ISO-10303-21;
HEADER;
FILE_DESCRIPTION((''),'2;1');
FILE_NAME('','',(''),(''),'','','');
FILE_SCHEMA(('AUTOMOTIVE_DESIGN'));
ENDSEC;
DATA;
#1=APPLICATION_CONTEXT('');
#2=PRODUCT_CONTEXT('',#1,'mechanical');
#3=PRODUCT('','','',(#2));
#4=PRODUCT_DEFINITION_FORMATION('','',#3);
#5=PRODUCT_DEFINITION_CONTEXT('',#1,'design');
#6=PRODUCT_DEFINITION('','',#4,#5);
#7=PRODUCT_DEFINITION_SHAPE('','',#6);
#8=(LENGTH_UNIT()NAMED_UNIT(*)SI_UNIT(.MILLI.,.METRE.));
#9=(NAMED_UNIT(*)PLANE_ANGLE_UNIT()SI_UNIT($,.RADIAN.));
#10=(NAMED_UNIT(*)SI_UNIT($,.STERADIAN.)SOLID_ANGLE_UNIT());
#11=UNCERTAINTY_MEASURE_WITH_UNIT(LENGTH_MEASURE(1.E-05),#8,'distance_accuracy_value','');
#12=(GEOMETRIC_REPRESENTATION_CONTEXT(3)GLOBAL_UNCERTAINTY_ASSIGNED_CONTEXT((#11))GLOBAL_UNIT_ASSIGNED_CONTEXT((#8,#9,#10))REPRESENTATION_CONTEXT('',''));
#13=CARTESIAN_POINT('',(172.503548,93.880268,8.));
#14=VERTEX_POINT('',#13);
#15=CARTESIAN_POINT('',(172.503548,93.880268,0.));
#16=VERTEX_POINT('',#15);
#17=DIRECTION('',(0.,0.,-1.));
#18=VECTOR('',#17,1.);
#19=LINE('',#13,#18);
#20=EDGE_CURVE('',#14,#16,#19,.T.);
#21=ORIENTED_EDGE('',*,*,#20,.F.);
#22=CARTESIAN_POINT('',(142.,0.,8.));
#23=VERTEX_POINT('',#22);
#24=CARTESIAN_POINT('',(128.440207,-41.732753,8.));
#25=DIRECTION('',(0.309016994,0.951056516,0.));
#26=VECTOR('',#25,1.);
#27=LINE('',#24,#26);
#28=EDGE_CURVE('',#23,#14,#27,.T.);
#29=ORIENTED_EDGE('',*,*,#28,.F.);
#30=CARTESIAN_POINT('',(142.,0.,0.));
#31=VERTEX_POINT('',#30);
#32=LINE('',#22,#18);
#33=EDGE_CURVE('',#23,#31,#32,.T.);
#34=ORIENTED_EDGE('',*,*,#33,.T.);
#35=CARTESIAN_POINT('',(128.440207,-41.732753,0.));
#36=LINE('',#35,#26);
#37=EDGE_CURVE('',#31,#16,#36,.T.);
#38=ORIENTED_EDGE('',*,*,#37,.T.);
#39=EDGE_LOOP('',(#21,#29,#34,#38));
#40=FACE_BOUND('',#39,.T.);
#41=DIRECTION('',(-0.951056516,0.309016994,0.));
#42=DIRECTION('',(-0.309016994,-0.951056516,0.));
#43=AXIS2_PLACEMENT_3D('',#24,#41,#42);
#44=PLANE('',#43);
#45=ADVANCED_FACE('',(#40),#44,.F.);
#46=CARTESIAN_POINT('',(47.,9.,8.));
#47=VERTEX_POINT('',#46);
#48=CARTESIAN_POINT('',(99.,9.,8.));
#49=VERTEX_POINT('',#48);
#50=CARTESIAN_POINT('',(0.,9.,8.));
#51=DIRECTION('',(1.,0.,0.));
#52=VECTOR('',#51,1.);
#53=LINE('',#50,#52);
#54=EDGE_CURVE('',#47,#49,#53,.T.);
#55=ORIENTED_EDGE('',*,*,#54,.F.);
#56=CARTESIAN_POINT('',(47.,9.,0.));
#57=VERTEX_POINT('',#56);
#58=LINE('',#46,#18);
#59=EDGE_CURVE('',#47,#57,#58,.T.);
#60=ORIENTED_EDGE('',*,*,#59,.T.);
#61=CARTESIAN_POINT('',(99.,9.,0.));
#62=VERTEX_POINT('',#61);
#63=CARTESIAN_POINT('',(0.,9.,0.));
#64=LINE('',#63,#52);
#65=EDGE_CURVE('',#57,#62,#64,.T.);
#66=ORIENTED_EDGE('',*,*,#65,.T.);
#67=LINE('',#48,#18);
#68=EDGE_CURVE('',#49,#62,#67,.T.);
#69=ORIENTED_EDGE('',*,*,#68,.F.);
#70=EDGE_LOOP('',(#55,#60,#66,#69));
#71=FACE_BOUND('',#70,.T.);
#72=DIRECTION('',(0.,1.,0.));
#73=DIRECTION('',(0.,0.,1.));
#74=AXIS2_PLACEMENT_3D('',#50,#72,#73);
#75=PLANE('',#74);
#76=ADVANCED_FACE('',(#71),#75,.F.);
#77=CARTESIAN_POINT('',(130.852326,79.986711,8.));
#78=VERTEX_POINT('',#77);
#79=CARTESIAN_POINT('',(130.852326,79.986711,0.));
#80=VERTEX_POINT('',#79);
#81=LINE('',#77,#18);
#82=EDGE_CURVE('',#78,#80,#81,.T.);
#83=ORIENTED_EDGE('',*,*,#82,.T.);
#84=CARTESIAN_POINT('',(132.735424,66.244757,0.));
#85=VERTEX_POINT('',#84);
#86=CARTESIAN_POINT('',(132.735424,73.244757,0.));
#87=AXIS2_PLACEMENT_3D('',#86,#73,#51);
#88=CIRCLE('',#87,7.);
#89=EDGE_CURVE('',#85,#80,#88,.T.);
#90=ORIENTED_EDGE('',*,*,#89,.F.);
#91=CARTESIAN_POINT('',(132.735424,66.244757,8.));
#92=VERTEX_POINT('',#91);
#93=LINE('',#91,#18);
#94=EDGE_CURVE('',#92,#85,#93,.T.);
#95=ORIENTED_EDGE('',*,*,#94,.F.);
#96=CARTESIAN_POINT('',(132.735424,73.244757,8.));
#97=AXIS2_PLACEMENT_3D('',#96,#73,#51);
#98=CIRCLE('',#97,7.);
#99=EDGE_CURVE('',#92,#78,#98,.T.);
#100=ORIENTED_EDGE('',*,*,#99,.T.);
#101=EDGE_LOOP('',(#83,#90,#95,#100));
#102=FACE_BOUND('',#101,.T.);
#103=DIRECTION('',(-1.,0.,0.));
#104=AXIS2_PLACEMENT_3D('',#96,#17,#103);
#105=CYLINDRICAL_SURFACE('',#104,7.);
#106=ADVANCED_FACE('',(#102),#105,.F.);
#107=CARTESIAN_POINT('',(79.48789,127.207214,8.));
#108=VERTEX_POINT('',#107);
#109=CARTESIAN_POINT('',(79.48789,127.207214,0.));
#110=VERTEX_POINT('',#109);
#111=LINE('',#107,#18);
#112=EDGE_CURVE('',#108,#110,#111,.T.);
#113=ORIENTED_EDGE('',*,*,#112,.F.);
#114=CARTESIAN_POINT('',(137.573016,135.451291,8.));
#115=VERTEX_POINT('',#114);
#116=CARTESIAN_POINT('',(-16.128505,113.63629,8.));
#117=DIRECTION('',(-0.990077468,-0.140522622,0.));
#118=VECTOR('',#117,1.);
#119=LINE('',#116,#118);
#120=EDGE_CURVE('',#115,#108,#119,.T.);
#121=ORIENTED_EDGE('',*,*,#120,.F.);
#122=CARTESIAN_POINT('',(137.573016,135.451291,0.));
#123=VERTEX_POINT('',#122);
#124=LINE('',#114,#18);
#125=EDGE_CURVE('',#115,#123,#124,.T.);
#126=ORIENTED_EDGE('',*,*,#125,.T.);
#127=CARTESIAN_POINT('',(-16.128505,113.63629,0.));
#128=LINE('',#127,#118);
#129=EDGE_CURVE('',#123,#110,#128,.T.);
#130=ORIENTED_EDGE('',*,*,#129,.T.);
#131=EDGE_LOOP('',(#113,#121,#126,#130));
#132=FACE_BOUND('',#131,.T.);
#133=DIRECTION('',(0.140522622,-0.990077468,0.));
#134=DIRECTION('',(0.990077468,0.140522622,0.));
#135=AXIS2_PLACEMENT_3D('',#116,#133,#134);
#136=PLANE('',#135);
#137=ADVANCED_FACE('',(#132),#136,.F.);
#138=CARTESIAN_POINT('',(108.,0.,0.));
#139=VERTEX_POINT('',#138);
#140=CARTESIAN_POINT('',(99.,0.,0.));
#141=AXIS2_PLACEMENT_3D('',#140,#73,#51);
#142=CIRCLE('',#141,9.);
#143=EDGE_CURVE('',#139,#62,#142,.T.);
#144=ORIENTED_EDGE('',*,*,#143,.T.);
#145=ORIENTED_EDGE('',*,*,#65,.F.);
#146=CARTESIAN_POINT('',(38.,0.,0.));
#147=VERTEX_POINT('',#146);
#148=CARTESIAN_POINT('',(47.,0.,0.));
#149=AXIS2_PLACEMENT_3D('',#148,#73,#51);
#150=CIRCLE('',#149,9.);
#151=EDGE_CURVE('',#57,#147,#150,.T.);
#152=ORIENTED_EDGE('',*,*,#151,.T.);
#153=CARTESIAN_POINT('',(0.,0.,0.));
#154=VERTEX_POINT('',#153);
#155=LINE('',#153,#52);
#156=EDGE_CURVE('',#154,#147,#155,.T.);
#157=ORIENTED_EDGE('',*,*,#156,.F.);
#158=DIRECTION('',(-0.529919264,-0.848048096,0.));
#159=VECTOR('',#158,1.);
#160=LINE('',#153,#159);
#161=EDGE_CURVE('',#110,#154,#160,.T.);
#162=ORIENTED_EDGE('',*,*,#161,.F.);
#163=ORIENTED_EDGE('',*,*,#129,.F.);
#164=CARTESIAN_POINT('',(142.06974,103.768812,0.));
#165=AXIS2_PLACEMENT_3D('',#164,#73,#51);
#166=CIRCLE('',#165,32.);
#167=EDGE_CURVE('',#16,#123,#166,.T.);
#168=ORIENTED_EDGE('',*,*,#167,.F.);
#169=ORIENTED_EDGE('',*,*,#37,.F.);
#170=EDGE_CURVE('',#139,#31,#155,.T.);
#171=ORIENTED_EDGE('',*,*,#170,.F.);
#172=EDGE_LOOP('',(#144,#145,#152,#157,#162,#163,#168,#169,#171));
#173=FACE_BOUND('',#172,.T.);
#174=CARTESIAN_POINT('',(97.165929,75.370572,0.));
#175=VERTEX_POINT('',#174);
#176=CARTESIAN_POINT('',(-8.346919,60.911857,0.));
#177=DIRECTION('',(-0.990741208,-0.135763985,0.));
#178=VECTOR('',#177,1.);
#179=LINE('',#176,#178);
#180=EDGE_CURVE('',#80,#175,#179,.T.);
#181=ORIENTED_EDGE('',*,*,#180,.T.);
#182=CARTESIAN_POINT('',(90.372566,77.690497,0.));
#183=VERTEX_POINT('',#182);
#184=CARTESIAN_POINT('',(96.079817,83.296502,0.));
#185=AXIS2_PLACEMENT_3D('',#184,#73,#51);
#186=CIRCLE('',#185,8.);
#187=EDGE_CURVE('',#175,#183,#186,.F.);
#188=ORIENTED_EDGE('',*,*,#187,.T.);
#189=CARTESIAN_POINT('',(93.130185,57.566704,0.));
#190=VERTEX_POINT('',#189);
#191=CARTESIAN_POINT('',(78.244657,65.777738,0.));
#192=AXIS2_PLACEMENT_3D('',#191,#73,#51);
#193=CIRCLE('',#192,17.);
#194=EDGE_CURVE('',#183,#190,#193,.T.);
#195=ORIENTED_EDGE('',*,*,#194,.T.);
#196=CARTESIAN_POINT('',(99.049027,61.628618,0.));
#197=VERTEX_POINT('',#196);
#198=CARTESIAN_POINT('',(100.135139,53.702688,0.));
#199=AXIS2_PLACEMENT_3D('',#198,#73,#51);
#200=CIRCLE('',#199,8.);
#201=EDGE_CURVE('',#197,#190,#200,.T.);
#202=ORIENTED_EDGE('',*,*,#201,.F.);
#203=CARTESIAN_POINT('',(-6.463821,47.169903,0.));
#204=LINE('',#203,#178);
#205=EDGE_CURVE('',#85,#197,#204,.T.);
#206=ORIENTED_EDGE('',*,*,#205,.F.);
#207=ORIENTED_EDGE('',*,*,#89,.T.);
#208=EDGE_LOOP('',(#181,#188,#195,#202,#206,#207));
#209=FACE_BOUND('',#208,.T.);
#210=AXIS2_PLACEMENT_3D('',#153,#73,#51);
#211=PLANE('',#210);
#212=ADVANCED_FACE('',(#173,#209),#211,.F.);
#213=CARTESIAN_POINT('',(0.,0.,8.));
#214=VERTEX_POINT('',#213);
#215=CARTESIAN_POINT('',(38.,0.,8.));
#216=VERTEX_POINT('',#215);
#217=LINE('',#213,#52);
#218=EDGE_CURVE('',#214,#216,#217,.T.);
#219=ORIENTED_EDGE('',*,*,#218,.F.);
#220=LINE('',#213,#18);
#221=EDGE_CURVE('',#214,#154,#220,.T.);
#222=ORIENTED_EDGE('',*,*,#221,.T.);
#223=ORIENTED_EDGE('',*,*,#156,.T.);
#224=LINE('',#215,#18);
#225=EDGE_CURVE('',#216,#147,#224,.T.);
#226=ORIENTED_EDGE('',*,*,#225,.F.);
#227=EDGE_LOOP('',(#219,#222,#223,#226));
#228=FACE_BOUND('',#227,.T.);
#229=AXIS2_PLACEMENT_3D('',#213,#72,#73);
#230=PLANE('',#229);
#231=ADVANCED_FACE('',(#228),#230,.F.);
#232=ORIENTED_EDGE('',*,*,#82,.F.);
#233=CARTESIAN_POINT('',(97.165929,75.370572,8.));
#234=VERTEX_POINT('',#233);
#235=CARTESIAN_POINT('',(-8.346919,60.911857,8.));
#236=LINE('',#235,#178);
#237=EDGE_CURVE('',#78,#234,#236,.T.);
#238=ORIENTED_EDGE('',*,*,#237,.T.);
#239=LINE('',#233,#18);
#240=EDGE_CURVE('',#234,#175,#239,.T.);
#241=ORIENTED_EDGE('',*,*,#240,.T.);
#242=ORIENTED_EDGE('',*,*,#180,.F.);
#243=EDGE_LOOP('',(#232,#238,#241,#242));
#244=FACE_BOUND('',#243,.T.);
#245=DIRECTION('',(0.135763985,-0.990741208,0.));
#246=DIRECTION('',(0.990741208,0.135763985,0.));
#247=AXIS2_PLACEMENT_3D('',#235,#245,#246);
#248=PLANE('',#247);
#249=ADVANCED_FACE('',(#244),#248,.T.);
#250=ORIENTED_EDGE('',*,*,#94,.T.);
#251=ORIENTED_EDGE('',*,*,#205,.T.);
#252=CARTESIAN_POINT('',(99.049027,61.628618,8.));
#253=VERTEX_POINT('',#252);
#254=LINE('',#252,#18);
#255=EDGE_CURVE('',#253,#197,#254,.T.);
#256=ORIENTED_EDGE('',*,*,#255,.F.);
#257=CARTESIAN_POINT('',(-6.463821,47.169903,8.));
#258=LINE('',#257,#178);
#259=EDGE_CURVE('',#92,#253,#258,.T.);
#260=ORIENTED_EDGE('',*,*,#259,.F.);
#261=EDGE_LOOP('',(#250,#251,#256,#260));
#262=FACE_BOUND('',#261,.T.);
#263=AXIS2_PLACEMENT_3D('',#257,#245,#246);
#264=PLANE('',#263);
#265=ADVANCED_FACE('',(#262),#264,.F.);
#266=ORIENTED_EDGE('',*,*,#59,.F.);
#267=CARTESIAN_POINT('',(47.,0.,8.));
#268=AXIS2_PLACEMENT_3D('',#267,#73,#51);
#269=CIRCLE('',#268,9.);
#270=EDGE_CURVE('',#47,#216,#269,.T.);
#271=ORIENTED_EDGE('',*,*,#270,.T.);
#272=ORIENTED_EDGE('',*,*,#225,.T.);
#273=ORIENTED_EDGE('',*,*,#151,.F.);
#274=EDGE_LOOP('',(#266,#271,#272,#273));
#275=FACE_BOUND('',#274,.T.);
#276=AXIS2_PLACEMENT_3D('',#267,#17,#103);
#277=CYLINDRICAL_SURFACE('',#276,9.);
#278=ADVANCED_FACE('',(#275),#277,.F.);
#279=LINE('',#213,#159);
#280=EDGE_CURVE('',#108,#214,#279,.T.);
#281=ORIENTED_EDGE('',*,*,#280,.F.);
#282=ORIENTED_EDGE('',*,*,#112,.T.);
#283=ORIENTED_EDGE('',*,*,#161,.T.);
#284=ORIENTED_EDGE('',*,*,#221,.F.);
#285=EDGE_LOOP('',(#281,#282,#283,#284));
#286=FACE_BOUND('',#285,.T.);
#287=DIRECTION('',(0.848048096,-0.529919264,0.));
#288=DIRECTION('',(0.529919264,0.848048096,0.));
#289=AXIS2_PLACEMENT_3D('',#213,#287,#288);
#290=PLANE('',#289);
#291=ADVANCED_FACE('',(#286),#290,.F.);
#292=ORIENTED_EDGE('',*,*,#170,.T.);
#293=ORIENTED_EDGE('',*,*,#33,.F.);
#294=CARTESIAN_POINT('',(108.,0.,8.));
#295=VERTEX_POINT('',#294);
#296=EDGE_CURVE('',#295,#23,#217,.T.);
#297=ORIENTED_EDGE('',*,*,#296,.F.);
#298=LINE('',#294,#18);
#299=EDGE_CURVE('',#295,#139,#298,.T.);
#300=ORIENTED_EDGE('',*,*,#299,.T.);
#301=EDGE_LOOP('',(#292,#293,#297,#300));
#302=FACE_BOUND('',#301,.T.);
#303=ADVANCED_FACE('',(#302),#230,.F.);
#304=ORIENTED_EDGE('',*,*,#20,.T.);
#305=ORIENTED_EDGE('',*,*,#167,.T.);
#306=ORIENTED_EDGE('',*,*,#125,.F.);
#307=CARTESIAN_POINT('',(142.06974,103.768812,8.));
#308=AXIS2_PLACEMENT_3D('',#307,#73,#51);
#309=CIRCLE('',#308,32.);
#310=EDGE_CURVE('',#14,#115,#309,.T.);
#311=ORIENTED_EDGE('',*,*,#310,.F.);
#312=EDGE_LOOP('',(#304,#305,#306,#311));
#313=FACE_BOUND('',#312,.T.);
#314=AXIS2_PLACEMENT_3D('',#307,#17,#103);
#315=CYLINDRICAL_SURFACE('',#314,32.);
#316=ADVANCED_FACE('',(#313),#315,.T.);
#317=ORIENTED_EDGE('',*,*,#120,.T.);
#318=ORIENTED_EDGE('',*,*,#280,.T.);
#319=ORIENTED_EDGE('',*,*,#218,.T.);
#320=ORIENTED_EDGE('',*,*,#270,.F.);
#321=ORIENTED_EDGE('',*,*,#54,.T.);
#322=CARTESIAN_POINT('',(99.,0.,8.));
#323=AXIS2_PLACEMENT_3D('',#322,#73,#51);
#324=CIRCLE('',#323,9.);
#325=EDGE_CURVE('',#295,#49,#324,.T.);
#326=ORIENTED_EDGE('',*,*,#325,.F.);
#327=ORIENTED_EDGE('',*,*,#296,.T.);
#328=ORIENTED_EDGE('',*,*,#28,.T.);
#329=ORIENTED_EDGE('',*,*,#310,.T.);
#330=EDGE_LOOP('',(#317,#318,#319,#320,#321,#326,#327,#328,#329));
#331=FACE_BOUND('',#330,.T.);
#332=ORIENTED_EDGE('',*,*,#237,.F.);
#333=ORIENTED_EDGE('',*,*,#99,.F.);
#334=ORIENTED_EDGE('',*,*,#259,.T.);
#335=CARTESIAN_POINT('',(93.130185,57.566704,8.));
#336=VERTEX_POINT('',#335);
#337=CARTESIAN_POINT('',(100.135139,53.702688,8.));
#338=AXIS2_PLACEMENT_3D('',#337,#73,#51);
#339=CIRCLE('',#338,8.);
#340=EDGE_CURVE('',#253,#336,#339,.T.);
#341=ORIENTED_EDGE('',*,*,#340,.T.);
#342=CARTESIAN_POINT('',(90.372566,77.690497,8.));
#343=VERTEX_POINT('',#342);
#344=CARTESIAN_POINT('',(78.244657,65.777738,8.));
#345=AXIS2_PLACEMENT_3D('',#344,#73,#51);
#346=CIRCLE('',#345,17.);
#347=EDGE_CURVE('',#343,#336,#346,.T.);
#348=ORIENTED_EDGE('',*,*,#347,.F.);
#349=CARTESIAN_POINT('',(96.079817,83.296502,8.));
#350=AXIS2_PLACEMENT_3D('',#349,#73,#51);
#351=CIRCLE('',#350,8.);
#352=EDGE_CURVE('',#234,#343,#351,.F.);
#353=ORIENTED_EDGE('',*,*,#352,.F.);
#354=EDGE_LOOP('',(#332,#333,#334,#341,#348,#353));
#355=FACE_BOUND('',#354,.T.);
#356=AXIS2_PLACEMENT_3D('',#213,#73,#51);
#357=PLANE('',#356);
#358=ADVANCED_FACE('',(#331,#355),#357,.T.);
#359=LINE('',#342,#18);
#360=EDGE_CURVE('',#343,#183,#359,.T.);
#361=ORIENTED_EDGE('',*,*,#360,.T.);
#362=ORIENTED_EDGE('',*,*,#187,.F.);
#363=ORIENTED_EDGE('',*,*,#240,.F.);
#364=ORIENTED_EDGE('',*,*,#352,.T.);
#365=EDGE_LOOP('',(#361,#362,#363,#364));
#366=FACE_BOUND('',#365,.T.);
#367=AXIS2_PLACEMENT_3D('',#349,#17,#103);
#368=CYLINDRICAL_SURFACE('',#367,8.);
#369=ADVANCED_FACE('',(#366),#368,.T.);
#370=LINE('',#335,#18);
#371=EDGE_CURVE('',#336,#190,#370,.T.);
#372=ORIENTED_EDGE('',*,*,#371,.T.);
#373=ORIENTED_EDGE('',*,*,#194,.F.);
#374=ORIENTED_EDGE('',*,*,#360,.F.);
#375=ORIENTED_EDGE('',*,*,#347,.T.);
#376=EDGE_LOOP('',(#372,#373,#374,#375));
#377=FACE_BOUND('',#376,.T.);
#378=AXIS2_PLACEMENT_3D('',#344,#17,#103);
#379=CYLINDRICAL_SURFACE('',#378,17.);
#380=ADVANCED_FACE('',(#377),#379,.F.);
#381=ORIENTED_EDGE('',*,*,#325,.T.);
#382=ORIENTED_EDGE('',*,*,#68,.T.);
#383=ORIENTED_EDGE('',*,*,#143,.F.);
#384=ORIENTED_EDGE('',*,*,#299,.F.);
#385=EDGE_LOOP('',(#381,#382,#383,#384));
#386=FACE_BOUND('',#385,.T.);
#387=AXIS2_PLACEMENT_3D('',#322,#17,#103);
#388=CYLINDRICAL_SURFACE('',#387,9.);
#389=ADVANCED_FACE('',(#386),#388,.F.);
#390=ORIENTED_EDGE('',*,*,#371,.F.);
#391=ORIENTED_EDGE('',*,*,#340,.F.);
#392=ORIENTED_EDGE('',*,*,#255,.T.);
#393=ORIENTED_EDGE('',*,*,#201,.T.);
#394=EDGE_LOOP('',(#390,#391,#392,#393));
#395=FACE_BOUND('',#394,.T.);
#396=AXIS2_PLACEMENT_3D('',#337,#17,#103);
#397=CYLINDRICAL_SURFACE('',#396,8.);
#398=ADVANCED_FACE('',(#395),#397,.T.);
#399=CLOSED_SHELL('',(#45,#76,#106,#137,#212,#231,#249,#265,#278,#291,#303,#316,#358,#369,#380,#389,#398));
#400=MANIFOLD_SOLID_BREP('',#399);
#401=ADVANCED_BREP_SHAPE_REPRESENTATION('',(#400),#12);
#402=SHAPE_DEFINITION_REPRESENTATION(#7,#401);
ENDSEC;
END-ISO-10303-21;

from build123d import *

# Parameters (mm, degrees)
BOSS_EXTRUDE1_DEPTH = 8


with BuildPart() as part:
    # Sketch1 → Boss-Extrude1 (new body)
    with BuildSketch(Plane.XY):
        with BuildLine():
            Line((79.487889635, 127.207214423), (0, 0))
            Line((0, 0), (38, 0))
            ThreePointArc((38, 0), (40.636038969, 6.363961031), (47, 9))
            Line((47, 9), (99, 9))
            ThreePointArc((99, 9), (105.363961031, 6.363961031), (108, 0))
            Line((108, 0), (142, 0))
            Line((142, 0), (172.50354814, 93.880267937))
            ThreePointArc((172.50354814, 93.880267937), (166.569139078, 124.354715336), (137.573015724, 135.451290736))
            Line((137.573015724, 135.451290736), (79.487889635, 127.207214423))
        make_face()
        with BuildLine():
            ThreePointArc((130.852326035, 79.986711388), (131.785075785, 80.179945877), (132.735423682, 80.244757424))
            ThreePointArc((132.735423682, 80.244757424), (139.670612135, 74.195105322), (134.61852133, 66.50280346))
            ThreePointArc((134.61852133, 66.50280346), (133.68577158, 66.309568971), (132.735423682, 66.244757424))
            Line((132.735423682, 66.244757424), (99.049026675, 61.628618036))
            ThreePointArc((99.049026675, 61.628618036), (95.608426443, 60.298814317), (93.130184546, 57.566704329))
            ThreePointArc((93.130184546, 57.566704329), (61.402056741, 63.469750476), (90.372565984, 77.690497362))
            ThreePointArc((90.372565984, 77.690497362), (93.494426366, 75.725784751), (97.165929028, 75.370572))
            Line((97.165929028, 75.370572), (130.852326035, 79.986711388))
        make_face(mode=Mode.SUBTRACT)
    extrude(amount=BOSS_EXTRUDE1_DEPTH)


solid = part.part
